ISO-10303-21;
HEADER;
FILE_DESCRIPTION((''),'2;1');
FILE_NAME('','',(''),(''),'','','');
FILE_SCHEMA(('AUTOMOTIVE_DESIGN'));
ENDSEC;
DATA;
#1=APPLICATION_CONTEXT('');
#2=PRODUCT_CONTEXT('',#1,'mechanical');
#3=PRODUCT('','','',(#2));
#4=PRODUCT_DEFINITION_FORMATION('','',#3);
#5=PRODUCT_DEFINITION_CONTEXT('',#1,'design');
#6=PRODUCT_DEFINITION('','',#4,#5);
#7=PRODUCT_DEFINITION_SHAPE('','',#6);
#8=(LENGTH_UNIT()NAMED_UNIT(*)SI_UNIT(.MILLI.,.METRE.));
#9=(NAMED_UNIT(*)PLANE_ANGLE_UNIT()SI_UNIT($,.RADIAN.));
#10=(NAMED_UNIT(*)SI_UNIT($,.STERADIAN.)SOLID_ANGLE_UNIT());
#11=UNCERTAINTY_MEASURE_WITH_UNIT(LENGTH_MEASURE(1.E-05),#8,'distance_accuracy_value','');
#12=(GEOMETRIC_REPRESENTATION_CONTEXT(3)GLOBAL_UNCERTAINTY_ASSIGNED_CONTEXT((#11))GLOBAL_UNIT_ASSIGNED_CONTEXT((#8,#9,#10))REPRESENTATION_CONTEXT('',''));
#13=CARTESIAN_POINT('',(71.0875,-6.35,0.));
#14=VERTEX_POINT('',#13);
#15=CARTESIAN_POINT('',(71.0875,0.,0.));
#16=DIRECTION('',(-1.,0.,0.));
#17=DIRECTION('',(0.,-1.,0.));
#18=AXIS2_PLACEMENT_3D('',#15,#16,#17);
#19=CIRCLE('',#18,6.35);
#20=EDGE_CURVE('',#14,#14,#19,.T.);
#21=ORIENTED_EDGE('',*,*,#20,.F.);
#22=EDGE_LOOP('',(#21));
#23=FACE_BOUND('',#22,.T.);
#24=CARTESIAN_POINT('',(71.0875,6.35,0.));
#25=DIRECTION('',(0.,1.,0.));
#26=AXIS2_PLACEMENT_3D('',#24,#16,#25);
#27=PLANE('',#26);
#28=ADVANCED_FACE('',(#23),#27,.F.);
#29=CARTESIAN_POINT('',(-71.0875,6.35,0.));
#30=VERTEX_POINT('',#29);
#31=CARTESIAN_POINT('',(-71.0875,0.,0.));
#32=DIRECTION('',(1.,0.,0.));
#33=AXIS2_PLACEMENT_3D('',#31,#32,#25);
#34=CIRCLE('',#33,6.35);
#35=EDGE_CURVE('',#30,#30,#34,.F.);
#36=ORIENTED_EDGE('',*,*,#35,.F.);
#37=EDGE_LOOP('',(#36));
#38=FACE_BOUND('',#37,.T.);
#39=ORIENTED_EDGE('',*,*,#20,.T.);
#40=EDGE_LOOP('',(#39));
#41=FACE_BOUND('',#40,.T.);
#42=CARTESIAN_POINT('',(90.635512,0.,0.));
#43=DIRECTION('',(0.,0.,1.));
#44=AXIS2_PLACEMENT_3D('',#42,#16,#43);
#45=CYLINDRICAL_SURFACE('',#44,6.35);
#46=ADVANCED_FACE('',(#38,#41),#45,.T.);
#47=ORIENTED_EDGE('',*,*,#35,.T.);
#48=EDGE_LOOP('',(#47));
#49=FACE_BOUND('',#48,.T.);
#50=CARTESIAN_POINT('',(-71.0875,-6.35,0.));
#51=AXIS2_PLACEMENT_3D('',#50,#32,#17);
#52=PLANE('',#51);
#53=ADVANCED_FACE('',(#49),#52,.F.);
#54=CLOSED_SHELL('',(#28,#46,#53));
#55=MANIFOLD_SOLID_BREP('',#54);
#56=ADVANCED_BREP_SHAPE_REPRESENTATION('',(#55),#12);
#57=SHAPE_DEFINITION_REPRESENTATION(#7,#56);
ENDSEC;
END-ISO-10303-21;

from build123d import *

# Parameters (mm, degrees)
SKETCH1_R                = 6.35
BOSS_EXTRUDE1_DEPTH      = 71.0875
BOSS_EXTRUDE1_DEPTH_BACK = 71.0875


with BuildPart() as part:
    # Sketch1 → Boss-Extrude1 (new body, two sides)
    with BuildSketch(Plane(origin=(0, 0, 0), x_dir=(0, 0, -1), z_dir=(1, 0, 0))) as boss_extrude1_sk:
        Circle(SKETCH1_R)
    extrude(amount=BOSS_EXTRUDE1_DEPTH)
    extrude(boss_extrude1_sk.sketch, amount=-BOSS_EXTRUDE1_DEPTH_BACK)


solid = part.part
